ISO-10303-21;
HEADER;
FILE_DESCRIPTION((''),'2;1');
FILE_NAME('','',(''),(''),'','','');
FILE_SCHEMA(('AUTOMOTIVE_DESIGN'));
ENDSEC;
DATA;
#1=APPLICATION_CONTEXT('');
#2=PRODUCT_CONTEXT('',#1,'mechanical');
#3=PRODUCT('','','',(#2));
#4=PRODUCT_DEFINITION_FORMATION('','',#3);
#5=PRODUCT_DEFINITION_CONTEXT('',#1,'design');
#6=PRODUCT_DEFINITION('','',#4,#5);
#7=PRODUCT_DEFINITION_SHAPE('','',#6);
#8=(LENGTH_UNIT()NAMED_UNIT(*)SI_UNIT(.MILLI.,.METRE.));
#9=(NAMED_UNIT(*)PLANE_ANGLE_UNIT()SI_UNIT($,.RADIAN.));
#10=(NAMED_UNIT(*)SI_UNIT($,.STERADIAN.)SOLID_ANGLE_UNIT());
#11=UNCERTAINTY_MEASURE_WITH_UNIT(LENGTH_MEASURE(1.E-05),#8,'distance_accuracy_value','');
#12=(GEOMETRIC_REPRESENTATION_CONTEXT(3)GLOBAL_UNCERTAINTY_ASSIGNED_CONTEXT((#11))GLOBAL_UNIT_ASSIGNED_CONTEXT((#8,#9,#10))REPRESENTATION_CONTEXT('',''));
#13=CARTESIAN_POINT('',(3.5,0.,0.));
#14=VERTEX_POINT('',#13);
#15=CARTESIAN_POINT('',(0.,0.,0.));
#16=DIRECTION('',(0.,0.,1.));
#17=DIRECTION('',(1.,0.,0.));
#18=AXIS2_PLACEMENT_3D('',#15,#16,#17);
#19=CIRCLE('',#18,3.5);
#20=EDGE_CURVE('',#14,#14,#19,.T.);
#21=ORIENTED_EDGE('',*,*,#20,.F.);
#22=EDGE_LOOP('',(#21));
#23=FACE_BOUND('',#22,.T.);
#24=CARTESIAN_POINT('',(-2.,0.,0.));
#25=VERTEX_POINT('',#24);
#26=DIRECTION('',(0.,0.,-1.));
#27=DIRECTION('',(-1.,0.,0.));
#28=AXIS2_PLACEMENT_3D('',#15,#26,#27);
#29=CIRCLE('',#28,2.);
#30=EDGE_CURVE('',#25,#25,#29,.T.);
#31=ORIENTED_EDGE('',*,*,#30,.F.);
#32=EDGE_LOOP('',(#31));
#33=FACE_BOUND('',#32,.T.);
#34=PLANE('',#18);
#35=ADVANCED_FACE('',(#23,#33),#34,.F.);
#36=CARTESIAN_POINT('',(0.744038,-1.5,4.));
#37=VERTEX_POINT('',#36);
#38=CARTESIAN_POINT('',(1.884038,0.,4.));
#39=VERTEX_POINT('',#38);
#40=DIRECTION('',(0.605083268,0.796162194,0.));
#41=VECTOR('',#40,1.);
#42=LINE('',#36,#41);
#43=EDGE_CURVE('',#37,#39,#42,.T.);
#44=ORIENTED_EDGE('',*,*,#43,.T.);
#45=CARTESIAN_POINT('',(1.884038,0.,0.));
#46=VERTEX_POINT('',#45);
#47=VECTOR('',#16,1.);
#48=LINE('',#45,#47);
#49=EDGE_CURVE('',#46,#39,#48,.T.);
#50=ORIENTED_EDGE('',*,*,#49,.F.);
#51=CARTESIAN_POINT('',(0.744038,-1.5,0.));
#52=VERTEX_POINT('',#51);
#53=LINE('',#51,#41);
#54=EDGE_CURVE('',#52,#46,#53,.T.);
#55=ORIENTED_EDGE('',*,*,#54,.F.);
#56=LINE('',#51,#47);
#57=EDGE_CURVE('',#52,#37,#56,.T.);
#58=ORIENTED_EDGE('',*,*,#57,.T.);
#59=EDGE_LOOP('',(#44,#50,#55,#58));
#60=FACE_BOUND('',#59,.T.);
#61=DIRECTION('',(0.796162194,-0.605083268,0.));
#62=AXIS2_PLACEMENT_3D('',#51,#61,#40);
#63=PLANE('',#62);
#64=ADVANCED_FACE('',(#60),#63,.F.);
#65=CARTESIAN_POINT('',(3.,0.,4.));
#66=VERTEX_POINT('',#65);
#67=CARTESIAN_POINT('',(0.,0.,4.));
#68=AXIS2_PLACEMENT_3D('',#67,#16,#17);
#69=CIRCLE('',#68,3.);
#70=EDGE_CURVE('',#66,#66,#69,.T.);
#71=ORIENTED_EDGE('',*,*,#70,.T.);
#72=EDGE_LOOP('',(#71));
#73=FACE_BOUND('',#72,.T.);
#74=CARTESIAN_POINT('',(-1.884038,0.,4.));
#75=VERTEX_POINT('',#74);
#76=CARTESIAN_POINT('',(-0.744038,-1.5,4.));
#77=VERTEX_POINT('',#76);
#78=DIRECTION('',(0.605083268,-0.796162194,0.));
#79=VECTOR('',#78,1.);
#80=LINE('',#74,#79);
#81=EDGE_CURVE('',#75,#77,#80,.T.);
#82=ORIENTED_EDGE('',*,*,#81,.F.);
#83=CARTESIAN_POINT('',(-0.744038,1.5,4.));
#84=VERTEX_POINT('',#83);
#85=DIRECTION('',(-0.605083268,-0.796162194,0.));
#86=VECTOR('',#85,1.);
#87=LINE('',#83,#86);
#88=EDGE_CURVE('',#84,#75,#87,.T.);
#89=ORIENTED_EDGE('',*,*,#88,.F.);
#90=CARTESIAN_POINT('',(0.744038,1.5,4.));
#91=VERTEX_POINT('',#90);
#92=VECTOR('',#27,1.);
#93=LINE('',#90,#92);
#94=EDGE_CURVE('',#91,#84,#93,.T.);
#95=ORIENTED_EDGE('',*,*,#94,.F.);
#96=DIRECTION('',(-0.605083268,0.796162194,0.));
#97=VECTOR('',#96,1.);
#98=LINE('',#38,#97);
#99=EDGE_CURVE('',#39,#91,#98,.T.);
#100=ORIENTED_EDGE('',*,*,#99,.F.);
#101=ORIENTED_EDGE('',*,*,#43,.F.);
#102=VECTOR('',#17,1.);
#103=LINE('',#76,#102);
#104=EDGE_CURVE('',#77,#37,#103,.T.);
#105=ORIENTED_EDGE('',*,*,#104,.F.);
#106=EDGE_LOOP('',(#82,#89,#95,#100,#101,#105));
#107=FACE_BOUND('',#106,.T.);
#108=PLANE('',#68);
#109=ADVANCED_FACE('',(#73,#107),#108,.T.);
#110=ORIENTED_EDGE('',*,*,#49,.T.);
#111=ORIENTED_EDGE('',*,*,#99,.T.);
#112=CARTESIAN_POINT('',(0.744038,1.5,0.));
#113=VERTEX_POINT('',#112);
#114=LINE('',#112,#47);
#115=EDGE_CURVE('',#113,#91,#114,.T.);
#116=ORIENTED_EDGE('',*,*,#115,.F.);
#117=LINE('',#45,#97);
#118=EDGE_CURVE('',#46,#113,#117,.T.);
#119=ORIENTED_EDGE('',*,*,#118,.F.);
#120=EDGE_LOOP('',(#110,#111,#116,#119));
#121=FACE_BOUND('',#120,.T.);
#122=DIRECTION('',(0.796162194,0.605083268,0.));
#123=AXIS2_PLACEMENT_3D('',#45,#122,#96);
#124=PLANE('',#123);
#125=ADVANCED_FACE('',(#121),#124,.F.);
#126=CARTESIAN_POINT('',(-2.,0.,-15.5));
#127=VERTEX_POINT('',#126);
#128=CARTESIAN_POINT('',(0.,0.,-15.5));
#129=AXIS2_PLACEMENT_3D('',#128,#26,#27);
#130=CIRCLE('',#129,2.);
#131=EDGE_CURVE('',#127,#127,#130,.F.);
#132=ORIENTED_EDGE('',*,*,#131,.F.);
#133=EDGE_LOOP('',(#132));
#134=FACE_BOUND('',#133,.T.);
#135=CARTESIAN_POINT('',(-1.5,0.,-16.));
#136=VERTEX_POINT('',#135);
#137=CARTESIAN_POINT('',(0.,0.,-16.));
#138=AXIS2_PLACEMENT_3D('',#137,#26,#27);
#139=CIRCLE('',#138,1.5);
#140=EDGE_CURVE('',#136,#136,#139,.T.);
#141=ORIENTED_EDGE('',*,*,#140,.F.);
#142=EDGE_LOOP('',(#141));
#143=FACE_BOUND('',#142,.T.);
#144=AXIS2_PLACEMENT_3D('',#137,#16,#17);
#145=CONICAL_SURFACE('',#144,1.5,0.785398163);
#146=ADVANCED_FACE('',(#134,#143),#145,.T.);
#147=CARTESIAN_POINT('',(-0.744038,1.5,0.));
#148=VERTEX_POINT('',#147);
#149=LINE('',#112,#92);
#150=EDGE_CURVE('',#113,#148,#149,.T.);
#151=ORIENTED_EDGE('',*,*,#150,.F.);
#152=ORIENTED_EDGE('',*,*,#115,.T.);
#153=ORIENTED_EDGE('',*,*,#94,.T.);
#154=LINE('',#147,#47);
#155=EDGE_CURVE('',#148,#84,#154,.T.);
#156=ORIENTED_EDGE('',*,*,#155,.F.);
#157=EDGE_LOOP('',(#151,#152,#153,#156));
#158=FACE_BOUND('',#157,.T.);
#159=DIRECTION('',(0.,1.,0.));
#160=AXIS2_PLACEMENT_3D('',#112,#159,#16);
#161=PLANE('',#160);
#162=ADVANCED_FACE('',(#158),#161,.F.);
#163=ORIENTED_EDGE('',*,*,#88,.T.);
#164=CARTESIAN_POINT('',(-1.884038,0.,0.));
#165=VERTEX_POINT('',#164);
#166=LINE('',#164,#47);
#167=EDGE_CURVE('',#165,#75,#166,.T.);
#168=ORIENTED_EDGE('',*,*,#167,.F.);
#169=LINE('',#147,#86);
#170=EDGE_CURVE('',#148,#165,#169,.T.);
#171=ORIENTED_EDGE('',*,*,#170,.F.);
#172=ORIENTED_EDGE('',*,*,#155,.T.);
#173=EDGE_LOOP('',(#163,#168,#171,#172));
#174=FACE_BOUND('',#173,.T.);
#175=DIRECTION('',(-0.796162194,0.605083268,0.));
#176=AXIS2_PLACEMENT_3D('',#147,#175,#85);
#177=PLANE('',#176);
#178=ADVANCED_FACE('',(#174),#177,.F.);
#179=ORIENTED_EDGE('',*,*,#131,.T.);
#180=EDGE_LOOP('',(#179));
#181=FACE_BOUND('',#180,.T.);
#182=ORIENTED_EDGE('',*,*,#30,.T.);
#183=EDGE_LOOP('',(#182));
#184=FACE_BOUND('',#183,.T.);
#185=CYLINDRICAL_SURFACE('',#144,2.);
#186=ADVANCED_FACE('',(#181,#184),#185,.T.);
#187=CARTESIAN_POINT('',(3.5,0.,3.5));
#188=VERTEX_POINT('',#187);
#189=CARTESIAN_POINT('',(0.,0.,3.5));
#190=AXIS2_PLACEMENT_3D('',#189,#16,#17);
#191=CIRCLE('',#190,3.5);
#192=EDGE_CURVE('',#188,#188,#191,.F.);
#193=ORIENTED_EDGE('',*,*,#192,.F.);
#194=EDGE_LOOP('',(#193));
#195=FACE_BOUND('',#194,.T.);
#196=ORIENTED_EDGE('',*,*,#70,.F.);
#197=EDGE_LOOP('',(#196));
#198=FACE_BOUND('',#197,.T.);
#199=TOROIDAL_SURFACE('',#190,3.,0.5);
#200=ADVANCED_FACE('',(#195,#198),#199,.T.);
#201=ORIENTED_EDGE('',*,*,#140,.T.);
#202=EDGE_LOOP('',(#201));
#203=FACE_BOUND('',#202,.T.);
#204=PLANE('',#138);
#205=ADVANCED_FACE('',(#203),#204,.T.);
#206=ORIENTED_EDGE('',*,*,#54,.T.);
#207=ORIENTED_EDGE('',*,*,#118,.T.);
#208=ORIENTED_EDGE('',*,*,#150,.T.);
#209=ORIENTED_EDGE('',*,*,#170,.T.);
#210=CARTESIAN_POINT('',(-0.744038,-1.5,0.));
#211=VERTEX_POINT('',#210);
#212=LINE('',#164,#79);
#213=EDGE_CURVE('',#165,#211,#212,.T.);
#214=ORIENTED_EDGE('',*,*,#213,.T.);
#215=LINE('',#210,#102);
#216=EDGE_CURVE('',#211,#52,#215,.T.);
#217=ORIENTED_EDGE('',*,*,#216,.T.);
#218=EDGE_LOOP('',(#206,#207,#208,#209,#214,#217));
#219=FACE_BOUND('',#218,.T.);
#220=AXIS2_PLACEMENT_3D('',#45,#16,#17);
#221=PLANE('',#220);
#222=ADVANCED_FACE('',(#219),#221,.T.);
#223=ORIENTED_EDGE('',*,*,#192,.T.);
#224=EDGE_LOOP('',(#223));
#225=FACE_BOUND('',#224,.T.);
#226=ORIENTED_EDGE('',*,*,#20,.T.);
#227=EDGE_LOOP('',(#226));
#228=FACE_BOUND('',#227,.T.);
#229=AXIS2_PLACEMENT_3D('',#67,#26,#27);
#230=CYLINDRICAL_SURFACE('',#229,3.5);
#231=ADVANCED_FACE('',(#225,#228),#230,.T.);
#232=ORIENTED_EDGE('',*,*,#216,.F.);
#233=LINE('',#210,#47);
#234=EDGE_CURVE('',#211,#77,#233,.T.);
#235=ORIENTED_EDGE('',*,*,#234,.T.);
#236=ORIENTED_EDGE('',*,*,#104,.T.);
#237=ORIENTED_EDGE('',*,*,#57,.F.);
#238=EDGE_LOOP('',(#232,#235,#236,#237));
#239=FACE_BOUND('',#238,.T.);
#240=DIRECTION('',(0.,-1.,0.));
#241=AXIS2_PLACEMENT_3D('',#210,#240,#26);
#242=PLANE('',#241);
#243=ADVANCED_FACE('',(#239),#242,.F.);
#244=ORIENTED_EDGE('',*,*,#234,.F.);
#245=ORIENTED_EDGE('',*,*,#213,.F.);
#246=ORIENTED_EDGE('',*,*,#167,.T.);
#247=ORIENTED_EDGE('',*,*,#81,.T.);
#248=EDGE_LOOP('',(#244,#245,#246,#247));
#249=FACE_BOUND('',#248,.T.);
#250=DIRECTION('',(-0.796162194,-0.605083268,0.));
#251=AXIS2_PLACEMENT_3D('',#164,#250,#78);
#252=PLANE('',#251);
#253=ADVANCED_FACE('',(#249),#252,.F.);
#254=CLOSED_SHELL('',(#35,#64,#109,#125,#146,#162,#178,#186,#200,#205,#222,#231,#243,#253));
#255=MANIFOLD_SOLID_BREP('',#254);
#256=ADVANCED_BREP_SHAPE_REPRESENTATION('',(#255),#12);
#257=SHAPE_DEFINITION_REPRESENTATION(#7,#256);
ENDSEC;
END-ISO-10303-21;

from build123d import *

# Parameters (mm, degrees)
ESQUISSE1_R             = 3.5
BASE_EXTRUSION_DEPTH    = 4
ESQUISSE2_R             = 2
BOSS_EXTRU_1_DEPTH      = 16
ENL_V_MAT_EXTRU_1_DEPTH = 4
CONG_1_R                = 0.5
CHANFREIN1_SIZE         = 0.5


with BuildPart() as part:
    # Esquisse1 → Base-Extrusion (new body)
    with BuildSketch(Plane.XY):
        Circle(ESQUISSE1_R)
    extrude(amount=BASE_EXTRUSION_DEPTH)

    # Esquisse2 → Boss.-Extru.1 (add)
    with BuildSketch(Plane(origin=(0, 0, 0), x_dir=(-1, 0, 0), z_dir=(0, 0, -1))):
        Circle(ESQUISSE2_R)
    extrude(amount=BOSS_EXTRU_1_DEPTH)

    # Esquisse3 → Enlèv. mat.-Extru.1 (cut)
    with BuildSketch(Plane.XY.offset(4)):
        Polygon((1.884038216, 0), (0.744038216, 1.5), (-0.744038216, 1.5), (-1.884038216, 0), (-0.744038216, -1.5), (0.744038216, -1.5), align=None)
    extrude(amount=-ENL_V_MAT_EXTRU_1_DEPTH, mode=Mode.SUBTRACT)

    # Congé1
    cong_1_edges = [part.edges().sort_by_distance(p)[0] for p in [
        (-3.5, 0, 4),
    ]]
    fillet(cong_1_edges, radius=CONG_1_R)

    # Chanfrein1
    chanfrein1_edges = [part.edges().sort_by_distance(p)[0] for p in [
        (2, 0, -16),
    ]]
    chamfer(chanfrein1_edges, length=CHANFREIN1_SIZE)


solid = part.part
